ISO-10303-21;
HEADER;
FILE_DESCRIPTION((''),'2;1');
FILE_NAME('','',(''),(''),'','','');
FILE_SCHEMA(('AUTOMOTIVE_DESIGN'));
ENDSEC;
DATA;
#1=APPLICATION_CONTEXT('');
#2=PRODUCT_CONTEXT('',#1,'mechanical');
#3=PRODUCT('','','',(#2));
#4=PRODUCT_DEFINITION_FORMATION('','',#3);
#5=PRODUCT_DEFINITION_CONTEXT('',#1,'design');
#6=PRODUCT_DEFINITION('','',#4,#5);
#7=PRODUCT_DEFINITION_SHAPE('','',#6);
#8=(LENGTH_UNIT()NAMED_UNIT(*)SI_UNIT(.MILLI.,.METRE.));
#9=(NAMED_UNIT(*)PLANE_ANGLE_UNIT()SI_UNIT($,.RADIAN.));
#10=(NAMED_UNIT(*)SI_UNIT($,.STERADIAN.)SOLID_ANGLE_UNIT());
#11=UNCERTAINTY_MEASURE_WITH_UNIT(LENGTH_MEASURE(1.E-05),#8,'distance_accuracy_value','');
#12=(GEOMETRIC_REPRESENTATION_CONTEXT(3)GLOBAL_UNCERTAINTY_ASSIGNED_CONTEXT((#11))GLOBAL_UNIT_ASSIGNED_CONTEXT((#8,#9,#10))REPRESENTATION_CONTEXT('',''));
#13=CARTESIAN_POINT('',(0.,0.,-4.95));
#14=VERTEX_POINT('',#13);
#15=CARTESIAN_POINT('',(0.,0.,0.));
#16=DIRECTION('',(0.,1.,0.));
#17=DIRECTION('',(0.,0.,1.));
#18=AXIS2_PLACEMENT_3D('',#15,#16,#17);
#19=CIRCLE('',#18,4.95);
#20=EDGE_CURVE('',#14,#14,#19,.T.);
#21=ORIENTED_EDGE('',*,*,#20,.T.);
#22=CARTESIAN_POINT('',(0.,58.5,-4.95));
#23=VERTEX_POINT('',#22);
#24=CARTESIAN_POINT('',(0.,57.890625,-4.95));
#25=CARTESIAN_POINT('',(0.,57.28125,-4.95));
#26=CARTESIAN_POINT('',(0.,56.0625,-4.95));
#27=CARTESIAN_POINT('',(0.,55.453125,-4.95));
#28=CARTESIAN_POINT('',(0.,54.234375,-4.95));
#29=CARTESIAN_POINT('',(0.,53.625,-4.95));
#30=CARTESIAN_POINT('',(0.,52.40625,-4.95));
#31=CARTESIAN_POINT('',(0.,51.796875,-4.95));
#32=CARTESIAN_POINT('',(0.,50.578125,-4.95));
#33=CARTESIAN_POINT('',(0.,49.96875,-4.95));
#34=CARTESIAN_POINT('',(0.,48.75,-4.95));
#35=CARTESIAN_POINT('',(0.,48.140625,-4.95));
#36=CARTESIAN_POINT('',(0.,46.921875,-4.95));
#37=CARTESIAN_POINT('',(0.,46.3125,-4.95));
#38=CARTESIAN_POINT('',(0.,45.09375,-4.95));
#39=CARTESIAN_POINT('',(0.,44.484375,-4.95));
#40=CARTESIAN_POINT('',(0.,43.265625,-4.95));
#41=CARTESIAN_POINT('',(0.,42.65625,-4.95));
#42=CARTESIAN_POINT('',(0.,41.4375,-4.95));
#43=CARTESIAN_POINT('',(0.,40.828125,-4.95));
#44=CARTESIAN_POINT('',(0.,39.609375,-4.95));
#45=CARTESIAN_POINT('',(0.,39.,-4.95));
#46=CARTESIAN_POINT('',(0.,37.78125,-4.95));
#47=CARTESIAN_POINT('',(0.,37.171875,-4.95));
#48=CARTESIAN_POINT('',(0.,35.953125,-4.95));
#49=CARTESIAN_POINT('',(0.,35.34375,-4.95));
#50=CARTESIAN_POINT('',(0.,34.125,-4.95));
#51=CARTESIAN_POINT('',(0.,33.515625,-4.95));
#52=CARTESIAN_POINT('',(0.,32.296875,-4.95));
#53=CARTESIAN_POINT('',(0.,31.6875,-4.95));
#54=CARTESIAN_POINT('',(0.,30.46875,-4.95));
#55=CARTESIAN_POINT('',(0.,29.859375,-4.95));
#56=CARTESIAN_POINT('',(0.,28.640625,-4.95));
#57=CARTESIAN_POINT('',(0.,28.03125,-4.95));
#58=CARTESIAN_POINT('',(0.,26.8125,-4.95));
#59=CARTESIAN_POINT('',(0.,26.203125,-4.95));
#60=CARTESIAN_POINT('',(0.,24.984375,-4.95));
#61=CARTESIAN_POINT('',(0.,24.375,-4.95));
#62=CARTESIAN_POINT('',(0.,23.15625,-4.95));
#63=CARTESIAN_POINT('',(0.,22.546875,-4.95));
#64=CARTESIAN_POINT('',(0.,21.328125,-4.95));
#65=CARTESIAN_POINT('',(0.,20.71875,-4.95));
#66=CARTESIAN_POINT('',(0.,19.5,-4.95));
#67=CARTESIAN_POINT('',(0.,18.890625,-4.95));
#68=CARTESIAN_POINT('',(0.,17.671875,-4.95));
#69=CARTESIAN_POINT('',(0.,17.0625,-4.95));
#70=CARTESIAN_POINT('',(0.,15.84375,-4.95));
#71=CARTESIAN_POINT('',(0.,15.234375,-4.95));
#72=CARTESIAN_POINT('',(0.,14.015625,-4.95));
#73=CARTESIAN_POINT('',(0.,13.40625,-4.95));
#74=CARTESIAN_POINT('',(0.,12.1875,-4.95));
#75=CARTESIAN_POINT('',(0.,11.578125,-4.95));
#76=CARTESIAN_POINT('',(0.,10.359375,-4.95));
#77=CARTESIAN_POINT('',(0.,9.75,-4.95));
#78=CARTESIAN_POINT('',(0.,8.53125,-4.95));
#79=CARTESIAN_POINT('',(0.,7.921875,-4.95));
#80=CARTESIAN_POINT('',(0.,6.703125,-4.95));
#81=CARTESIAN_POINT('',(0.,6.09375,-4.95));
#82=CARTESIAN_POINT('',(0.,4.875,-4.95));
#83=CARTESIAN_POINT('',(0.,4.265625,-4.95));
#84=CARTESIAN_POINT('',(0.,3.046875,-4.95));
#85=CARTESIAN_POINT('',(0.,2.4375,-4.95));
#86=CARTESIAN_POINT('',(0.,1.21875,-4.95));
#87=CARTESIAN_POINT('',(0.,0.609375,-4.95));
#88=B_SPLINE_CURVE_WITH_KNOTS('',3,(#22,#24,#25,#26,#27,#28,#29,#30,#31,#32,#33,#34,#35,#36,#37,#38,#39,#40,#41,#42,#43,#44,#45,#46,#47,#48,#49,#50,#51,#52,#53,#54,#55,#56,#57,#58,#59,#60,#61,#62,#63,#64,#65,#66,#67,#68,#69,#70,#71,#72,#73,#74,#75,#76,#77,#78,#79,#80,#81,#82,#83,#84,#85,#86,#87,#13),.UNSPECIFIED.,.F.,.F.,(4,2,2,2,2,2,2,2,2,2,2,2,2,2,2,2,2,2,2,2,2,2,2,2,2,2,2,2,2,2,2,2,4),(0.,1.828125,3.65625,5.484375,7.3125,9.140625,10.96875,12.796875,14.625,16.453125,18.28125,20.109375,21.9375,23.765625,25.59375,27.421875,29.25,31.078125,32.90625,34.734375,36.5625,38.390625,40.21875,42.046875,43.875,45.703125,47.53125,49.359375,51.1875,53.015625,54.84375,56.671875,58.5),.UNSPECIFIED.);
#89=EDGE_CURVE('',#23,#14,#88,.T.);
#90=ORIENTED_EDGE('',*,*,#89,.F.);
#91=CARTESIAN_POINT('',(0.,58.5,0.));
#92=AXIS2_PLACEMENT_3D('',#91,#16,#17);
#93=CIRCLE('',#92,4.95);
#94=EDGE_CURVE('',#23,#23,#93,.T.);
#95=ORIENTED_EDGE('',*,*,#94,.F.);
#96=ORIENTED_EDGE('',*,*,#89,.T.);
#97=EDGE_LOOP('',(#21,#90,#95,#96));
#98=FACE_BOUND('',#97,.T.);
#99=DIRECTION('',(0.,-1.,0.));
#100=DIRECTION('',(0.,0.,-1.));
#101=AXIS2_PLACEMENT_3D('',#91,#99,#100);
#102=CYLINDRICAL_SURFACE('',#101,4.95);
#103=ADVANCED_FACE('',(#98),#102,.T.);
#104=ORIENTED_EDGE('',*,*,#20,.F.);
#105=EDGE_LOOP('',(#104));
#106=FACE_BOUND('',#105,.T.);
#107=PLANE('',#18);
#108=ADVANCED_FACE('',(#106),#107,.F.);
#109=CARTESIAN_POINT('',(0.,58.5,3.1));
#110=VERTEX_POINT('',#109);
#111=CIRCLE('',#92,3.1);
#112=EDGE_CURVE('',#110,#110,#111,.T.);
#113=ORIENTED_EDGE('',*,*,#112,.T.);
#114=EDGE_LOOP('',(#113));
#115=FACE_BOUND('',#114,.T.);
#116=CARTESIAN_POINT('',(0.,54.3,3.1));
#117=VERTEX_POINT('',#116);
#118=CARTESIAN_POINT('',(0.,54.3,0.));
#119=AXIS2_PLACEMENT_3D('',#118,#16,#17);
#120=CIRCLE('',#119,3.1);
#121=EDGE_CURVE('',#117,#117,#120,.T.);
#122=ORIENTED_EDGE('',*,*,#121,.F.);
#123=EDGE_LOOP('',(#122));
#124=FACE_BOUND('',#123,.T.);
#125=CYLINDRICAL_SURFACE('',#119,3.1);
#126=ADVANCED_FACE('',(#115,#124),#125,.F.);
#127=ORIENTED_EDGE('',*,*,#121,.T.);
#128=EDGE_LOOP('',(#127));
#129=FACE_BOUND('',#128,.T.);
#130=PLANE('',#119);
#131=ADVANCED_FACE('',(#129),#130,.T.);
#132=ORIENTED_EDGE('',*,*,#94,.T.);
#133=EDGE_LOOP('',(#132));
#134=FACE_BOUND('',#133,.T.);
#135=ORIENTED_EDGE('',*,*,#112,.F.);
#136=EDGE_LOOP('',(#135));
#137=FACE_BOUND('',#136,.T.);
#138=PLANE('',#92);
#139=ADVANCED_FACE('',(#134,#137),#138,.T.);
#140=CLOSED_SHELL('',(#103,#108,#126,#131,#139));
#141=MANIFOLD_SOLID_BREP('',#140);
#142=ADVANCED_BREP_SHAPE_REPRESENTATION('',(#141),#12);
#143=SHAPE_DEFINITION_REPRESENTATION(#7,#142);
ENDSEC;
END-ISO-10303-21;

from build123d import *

# Parameters (mm, degrees)
SKETCH1_R           = 4.95
BOSS_EXTRUDE1_DEPTH = 58.5
SKETCH2_R           = 3.1
CUT_EXTRUDE1_DEPTH  = 4.2


with BuildPart() as part:
    # Sketch1 → Boss-Extrude1 (new body)
    with BuildSketch(Plane(origin=(0, 0, 0), x_dir=(1, 0, 0), z_dir=(0, 1, 0))):
        with Locations(Location((0, 0, 0), (0, 0, 90))):
            Circle(SKETCH1_R)
    extrude(amount=BOSS_EXTRUDE1_DEPTH)

    # Sketch2 → Cut-Extrude1 (cut)
    with BuildSketch(Plane(origin=(0, 58.5, 0), x_dir=(1, 0, 0), z_dir=(0, 1, 0))):
        with Locations(Location((0, 0, 0), (0, 0, 270))):
            Circle(SKETCH2_R)
    extrude(amount=-CUT_EXTRUDE1_DEPTH, mode=Mode.SUBTRACT)


solid = part.part
